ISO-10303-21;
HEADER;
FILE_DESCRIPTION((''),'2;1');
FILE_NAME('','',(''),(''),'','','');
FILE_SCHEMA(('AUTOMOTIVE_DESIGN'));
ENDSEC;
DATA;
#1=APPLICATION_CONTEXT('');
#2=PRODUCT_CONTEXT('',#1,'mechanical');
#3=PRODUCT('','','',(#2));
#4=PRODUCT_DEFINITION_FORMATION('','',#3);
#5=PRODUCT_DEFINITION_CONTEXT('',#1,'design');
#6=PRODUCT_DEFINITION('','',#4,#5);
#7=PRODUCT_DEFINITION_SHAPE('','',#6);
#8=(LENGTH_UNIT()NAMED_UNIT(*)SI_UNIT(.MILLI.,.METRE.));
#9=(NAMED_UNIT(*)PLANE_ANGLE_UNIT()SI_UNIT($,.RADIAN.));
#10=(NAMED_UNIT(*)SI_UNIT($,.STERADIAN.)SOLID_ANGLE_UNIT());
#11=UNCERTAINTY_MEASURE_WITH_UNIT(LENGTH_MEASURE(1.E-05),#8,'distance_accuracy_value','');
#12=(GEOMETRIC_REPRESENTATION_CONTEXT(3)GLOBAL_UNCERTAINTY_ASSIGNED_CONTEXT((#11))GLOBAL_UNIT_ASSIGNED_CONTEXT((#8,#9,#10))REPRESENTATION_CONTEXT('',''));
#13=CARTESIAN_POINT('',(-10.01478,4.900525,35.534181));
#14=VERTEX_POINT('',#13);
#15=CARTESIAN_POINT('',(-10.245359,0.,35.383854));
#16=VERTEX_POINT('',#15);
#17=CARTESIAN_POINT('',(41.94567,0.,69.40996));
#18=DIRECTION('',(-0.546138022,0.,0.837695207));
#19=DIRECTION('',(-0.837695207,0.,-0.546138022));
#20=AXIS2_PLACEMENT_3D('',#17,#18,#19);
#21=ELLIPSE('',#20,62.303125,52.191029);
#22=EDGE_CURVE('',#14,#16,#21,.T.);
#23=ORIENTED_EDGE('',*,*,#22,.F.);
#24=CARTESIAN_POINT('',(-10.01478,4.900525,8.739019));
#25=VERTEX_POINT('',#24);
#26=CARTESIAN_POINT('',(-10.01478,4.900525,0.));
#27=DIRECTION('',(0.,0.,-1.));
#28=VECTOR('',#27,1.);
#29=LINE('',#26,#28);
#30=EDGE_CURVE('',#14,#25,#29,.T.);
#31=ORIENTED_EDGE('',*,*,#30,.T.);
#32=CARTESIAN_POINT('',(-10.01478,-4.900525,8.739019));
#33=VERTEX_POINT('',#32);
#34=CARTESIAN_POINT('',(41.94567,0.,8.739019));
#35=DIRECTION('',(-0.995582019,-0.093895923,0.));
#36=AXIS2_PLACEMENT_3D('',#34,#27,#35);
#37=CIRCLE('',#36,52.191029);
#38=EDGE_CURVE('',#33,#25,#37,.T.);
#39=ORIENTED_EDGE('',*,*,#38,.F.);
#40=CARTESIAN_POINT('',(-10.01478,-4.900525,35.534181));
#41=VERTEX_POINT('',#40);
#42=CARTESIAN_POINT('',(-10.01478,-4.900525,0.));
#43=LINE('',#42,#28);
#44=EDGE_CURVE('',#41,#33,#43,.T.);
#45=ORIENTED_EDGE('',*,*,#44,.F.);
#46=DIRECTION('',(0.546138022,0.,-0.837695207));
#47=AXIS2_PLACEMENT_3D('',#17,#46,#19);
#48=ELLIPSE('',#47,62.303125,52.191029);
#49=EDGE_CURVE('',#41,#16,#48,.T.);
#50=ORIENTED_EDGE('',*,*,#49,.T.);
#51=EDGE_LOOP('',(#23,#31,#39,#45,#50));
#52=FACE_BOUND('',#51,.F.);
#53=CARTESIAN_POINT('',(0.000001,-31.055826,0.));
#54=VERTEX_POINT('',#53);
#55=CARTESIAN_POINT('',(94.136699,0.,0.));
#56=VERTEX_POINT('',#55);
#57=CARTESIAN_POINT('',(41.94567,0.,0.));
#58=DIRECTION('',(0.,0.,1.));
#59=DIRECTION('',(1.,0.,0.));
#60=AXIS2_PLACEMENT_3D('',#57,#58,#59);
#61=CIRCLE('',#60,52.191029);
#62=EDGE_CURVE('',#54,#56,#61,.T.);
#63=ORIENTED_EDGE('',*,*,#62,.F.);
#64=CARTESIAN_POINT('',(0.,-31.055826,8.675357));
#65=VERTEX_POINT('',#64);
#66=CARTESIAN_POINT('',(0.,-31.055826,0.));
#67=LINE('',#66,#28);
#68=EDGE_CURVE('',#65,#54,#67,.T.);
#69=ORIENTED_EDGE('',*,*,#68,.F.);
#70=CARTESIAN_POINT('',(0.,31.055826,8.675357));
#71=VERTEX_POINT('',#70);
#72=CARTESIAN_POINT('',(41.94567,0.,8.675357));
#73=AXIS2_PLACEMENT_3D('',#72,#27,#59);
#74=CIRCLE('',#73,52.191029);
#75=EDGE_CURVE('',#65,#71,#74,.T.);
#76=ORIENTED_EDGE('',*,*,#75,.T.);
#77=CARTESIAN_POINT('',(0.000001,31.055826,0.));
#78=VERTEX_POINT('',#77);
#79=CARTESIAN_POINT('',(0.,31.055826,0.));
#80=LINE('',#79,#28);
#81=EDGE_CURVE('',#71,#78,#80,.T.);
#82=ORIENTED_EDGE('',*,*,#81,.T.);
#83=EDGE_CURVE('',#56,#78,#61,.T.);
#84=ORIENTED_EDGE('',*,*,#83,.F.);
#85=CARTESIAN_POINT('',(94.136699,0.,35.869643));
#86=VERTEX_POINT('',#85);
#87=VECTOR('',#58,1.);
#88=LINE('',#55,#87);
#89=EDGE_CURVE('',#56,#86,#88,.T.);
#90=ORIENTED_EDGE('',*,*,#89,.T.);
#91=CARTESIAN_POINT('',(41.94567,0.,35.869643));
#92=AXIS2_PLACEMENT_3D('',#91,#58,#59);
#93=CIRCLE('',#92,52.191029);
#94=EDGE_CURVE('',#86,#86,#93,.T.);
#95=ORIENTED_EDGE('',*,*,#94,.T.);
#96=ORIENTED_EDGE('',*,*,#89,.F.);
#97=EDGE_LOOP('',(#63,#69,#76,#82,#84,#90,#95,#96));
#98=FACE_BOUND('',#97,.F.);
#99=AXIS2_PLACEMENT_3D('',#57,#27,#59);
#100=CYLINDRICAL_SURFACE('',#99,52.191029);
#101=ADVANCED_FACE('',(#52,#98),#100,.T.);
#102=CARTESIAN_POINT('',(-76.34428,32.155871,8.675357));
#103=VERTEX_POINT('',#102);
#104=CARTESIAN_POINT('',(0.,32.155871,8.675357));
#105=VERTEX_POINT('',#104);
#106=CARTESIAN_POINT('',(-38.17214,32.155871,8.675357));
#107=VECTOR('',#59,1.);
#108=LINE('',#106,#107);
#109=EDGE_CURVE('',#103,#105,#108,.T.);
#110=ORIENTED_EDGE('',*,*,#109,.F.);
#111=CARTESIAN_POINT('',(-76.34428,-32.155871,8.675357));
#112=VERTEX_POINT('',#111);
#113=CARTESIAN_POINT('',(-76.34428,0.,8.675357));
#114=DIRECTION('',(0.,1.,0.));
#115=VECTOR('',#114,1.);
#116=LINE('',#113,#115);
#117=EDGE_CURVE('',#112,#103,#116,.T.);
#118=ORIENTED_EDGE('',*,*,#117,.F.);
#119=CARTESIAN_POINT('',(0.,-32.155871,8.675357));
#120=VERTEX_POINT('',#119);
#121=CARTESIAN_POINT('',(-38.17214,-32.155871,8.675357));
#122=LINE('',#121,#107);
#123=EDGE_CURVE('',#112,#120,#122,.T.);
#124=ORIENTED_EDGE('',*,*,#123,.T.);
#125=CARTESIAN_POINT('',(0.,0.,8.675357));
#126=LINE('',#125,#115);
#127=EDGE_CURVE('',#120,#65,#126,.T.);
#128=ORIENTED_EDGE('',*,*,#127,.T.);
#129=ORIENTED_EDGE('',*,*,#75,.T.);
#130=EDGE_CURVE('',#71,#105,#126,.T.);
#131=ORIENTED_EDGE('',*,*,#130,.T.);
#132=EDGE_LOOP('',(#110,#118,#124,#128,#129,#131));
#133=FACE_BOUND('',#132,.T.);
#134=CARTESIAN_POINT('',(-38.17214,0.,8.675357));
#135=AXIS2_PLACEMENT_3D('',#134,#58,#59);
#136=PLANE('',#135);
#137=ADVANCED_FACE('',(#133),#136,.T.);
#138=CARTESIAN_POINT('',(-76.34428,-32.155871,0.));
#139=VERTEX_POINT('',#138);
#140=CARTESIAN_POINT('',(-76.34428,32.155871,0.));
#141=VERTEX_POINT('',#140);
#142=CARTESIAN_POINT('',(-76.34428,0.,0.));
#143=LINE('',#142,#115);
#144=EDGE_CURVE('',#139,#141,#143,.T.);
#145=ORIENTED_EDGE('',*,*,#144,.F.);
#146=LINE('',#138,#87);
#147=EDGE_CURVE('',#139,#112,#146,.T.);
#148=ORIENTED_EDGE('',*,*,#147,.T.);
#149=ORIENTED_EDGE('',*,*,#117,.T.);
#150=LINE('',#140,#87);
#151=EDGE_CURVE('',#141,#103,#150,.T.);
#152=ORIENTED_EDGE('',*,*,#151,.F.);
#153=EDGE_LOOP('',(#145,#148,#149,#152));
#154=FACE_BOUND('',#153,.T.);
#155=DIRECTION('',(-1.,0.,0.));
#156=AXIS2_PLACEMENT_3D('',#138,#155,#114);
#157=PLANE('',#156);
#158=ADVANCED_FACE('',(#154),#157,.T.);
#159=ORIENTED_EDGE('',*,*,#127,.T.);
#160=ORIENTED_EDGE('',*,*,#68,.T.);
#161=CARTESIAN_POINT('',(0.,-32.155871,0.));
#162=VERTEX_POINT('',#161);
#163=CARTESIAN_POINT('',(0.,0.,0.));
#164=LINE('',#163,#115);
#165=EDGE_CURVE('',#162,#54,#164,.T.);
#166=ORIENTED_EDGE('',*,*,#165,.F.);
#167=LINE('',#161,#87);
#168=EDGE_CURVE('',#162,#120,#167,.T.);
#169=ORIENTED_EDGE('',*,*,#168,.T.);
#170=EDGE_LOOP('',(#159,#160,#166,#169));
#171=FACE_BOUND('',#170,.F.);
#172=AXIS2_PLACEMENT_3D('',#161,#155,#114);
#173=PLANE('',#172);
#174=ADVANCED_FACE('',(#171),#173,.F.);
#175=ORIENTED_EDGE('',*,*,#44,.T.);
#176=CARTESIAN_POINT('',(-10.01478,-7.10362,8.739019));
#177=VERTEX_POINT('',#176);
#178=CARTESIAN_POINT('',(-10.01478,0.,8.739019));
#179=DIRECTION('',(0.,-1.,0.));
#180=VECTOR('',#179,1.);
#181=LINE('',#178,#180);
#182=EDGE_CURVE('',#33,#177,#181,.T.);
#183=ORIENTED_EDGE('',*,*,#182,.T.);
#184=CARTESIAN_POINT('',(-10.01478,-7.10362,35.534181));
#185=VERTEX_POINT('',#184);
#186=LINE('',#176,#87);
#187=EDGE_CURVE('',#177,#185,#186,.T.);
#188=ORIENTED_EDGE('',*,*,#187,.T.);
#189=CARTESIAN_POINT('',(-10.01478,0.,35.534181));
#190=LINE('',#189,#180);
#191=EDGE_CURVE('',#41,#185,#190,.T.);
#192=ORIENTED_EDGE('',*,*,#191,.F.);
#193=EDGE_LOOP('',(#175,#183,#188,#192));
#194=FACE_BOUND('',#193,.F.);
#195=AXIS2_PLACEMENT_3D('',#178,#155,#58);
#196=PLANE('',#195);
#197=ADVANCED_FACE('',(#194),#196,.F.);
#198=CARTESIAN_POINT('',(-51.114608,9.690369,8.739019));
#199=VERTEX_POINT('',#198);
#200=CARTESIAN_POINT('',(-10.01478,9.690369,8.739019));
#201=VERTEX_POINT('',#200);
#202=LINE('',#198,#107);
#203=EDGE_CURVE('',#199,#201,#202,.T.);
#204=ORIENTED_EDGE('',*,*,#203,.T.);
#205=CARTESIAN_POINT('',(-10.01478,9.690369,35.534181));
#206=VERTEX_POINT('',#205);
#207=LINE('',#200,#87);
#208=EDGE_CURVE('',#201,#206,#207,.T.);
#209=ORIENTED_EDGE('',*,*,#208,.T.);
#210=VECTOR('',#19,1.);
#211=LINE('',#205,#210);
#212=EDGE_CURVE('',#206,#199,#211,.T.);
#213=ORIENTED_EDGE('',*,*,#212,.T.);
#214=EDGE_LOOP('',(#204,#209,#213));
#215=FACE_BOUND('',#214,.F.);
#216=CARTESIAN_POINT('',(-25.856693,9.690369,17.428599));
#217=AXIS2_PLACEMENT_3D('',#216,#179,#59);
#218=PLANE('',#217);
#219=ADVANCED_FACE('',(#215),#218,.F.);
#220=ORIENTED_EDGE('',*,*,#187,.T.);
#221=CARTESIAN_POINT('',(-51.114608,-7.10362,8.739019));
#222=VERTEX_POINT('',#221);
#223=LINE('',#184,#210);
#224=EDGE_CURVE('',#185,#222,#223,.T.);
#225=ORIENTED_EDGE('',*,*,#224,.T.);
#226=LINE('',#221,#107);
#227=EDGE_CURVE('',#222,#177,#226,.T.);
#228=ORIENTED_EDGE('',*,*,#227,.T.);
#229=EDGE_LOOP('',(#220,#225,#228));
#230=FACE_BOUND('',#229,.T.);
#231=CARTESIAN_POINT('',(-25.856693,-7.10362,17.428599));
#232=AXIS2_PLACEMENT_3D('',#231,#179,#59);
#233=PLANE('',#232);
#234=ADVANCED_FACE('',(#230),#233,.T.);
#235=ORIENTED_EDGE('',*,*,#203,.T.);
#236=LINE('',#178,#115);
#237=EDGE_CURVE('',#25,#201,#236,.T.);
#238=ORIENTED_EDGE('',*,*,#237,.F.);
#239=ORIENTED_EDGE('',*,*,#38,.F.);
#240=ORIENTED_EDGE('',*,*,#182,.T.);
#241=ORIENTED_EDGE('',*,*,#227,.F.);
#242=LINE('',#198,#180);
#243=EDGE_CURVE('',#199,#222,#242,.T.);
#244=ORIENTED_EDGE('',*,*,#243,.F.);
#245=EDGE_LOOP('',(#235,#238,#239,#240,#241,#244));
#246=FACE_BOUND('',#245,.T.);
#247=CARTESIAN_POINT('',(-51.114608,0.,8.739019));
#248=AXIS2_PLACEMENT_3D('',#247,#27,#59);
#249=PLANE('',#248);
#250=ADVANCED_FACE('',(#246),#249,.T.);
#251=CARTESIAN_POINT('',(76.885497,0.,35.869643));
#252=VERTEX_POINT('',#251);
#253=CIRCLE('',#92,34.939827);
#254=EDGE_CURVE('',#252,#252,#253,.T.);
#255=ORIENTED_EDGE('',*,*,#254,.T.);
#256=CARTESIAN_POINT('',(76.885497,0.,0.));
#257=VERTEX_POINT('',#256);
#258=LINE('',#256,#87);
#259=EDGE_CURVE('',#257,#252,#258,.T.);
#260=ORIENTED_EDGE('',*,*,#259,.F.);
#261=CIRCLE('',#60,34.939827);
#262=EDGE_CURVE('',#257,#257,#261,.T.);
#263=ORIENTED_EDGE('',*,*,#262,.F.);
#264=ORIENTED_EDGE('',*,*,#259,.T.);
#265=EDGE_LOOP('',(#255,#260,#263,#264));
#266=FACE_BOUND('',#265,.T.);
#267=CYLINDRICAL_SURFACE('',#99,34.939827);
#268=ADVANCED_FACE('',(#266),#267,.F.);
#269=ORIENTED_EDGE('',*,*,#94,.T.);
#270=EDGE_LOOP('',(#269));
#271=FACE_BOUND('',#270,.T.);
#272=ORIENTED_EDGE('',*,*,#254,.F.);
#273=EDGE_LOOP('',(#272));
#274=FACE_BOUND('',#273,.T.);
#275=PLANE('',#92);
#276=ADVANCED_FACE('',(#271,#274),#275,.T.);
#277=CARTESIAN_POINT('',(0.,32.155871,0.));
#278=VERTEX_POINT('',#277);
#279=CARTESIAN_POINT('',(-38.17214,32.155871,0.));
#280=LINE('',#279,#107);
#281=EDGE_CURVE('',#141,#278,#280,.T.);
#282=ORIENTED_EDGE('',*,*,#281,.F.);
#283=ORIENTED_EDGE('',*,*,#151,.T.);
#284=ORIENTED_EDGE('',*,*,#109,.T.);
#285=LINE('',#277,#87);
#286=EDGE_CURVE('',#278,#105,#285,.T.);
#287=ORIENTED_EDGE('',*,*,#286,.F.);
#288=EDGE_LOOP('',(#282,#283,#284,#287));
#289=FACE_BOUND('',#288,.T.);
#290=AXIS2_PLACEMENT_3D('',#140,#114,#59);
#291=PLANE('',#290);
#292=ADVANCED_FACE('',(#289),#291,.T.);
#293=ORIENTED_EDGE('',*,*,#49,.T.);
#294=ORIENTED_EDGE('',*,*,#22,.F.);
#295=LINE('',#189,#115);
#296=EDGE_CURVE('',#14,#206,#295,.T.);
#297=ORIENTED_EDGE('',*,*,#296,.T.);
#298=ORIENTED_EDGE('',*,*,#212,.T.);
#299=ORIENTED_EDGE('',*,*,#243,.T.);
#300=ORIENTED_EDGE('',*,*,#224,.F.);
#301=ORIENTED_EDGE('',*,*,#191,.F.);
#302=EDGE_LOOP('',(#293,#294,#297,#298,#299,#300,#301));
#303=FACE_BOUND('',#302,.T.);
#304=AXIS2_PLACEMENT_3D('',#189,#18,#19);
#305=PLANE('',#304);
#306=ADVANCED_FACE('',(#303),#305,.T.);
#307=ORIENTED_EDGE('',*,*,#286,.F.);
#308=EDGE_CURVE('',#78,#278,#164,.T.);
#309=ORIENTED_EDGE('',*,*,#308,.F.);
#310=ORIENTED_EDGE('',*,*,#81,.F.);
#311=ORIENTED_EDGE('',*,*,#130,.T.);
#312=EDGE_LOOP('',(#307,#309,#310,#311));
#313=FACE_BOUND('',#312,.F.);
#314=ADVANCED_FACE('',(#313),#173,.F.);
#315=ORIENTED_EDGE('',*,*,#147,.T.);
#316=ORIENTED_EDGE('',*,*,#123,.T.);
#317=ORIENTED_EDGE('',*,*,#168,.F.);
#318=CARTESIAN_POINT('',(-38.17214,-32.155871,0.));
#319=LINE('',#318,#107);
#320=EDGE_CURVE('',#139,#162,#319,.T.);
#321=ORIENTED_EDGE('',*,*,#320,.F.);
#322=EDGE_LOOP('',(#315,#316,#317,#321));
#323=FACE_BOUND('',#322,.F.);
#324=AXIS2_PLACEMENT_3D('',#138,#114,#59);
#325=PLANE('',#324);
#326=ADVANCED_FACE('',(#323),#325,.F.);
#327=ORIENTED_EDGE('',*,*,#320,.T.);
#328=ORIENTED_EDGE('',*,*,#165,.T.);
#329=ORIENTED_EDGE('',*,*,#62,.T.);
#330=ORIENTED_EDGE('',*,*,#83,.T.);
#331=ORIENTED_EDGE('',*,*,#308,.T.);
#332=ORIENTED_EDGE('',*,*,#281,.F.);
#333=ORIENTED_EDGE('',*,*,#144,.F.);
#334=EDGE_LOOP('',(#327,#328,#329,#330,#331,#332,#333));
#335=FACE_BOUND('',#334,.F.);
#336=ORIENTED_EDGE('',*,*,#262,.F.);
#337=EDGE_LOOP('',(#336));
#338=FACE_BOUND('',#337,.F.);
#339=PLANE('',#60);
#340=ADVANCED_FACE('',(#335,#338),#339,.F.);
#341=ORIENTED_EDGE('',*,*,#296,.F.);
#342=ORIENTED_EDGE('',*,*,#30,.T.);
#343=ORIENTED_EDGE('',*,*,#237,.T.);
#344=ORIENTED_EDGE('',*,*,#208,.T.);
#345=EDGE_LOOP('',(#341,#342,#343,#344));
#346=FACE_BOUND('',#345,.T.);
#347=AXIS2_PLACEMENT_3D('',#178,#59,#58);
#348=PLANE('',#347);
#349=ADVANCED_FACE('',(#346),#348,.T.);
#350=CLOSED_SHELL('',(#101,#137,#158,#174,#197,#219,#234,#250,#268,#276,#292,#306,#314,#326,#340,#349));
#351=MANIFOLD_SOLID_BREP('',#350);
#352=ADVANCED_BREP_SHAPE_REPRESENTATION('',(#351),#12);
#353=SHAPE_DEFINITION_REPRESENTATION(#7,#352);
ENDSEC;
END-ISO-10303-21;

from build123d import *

# Parameters (mm, degrees)
F0_W          = 76.344281
F0_H          = 64.311742
F1_DEPTH      = 8.675357
F2_R          = 52.191029
F2_R_2        = 34.939827
F3_DEPTH      = 35.869643
F5_DEPTH      = 7.10362
F5_DEPTH_BACK = 9.690369


with BuildPart() as f1:
    # F0 (on Top) → F1 (new body)
    with BuildSketch(Plane.XY):
        with Locations((-38.17214, 0)):
            Rectangle(F0_W, F0_H)
    extrude(amount=F1_DEPTH)

    # F2 (on Top) → F3 (join)
    with BuildSketch(Plane.XY):
        with Locations((41.94567, 0)):
            Circle(F2_R)
        with Locations((41.94567, 0)):
            Circle(F2_R_2, mode=Mode.SUBTRACT)
    extrude(amount=F3_DEPTH)

    # F4 (on Front) → F5 (join, two sides)
    with BuildSketch(Plane.XZ) as f5_sk:
        Polygon((-10.01478, 8.739019), (-10.01478, 35.534181), (-51.114608, 8.739019), align=None)
    extrude(amount=F5_DEPTH)
    extrude(f5_sk.sketch, amount=-F5_DEPTH_BACK)


solid = f1.part
